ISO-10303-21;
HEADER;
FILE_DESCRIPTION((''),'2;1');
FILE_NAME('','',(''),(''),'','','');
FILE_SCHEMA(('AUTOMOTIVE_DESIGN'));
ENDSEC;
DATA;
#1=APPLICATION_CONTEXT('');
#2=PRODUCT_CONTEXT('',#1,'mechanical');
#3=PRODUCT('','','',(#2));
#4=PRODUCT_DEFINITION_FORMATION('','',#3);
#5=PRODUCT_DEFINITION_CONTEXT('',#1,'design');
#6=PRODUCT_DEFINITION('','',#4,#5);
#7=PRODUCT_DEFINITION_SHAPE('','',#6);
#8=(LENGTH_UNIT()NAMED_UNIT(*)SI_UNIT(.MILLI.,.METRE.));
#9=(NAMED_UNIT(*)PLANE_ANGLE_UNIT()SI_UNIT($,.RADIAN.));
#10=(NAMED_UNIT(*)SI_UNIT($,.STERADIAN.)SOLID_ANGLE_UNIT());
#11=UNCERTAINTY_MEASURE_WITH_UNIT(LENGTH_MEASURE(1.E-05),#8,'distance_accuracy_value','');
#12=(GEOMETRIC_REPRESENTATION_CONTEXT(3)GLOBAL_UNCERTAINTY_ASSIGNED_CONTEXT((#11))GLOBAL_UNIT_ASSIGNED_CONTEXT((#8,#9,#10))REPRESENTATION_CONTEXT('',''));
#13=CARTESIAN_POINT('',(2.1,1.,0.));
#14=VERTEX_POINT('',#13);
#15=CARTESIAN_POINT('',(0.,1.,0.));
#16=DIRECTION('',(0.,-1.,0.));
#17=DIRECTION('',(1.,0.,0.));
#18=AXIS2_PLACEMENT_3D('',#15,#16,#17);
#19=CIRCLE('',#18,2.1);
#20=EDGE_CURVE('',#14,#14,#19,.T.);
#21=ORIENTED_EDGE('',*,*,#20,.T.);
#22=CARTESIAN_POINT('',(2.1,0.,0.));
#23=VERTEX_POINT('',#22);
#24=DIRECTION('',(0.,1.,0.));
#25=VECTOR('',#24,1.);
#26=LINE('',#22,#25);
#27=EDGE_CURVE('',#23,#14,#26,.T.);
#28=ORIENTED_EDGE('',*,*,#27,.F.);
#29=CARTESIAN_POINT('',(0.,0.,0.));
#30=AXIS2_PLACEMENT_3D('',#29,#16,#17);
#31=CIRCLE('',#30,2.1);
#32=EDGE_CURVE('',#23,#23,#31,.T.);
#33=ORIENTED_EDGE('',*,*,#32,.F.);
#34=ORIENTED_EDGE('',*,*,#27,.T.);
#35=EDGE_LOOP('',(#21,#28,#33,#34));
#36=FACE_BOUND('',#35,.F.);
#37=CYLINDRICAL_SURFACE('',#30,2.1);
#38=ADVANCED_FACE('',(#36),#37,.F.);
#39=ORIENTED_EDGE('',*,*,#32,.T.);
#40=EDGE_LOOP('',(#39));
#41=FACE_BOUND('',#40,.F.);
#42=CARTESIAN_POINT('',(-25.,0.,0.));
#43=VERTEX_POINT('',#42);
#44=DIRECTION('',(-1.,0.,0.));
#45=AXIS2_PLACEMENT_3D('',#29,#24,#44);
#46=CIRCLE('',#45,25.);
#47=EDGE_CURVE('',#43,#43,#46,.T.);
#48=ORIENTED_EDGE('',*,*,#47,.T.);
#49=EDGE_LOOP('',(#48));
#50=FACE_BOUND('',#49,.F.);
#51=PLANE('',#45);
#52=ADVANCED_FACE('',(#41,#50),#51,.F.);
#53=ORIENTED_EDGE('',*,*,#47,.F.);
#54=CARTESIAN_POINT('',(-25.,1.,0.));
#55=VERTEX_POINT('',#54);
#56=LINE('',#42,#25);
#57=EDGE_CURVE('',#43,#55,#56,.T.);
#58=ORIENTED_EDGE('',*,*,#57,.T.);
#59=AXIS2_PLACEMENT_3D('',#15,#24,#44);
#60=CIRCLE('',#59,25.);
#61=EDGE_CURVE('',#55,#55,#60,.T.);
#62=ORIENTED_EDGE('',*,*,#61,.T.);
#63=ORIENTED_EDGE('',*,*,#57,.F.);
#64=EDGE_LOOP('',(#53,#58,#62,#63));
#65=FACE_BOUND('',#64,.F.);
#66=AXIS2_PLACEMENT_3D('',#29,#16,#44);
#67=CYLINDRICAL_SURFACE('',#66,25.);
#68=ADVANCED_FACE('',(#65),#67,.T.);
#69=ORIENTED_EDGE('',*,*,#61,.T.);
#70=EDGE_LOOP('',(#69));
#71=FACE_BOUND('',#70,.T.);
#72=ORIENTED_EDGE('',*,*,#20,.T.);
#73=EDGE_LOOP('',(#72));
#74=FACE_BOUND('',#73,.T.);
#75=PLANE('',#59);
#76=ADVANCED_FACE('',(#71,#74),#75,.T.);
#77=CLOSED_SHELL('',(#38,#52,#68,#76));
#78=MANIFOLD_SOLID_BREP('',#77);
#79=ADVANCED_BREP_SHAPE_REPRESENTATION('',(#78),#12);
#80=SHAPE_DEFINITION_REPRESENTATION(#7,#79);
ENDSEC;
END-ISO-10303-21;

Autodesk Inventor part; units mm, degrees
ref_plane "YZ Plane" through (0, 0, 0) normal (1, 0, 0) x (0, 1, 0)
ref_plane "XZ Plane" through (0, 0, 0) normal (0, 1, 0) x (-1, 0, 0)
ref_plane "XY Plane" through (0, 0, 0) normal (0, 0, 1) x (1, 0, 0)
sketch "スケッチ1" plane through (0, 0, 0) normal (0, 1, 0) x (-1, 0, 0)
  circle A0 centre (0, 0) radius 25
  dimension "d0" = 50
extrude "押し出し1" add sketch "スケッチ1" along normal blind 1
sketch "スケッチ5" plane through (0, 0, 0) normal (0, -1, 0) x (1, 0, 0)
  circle A0 centre (0, 0) radius 2.1
  dimension "d14" = 4.2
extrude "押し出し3" cut sketch "スケッチ5" against normal through all
properties part number "anode" material "Stainless Steel"
